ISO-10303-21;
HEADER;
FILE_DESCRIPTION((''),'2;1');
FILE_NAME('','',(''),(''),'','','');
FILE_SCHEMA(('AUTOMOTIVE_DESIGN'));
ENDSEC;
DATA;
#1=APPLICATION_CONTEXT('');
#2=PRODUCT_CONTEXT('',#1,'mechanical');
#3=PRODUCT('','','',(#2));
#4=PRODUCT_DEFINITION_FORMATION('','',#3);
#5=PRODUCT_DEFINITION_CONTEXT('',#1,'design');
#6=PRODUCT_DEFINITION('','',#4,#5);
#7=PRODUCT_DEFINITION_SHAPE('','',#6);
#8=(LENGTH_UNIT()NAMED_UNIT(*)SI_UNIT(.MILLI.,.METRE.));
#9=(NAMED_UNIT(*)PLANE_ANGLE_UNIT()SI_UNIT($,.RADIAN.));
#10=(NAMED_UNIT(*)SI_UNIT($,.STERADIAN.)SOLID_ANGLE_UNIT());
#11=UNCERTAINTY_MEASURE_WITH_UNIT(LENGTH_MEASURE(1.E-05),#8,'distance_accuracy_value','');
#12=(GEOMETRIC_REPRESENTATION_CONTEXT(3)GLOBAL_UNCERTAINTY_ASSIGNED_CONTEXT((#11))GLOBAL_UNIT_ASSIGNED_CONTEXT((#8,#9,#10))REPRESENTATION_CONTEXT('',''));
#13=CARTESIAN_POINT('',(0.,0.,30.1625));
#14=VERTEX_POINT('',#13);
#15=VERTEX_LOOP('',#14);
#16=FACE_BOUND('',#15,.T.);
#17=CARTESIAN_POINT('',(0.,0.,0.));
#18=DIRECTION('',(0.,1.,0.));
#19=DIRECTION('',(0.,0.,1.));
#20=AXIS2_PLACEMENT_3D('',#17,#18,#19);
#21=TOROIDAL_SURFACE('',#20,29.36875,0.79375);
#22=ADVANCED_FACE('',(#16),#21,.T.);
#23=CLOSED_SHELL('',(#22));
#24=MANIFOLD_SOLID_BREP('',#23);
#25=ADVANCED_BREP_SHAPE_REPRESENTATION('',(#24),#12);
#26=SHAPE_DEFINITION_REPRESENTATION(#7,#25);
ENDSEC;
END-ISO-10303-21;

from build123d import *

# Parameters (mm, degrees)
SKETCH1_R = 0.79375


with BuildPart() as part:
    # Sketch1 → Revolve2 (revolve)
    with BuildSketch(Plane.XY):
        with Locations((29.36875, 0)):
            Circle(SKETCH1_R)
    revolve(axis=Axis((0, 6.667415751, 0), (0, -1, 0)))


solid = part.part
